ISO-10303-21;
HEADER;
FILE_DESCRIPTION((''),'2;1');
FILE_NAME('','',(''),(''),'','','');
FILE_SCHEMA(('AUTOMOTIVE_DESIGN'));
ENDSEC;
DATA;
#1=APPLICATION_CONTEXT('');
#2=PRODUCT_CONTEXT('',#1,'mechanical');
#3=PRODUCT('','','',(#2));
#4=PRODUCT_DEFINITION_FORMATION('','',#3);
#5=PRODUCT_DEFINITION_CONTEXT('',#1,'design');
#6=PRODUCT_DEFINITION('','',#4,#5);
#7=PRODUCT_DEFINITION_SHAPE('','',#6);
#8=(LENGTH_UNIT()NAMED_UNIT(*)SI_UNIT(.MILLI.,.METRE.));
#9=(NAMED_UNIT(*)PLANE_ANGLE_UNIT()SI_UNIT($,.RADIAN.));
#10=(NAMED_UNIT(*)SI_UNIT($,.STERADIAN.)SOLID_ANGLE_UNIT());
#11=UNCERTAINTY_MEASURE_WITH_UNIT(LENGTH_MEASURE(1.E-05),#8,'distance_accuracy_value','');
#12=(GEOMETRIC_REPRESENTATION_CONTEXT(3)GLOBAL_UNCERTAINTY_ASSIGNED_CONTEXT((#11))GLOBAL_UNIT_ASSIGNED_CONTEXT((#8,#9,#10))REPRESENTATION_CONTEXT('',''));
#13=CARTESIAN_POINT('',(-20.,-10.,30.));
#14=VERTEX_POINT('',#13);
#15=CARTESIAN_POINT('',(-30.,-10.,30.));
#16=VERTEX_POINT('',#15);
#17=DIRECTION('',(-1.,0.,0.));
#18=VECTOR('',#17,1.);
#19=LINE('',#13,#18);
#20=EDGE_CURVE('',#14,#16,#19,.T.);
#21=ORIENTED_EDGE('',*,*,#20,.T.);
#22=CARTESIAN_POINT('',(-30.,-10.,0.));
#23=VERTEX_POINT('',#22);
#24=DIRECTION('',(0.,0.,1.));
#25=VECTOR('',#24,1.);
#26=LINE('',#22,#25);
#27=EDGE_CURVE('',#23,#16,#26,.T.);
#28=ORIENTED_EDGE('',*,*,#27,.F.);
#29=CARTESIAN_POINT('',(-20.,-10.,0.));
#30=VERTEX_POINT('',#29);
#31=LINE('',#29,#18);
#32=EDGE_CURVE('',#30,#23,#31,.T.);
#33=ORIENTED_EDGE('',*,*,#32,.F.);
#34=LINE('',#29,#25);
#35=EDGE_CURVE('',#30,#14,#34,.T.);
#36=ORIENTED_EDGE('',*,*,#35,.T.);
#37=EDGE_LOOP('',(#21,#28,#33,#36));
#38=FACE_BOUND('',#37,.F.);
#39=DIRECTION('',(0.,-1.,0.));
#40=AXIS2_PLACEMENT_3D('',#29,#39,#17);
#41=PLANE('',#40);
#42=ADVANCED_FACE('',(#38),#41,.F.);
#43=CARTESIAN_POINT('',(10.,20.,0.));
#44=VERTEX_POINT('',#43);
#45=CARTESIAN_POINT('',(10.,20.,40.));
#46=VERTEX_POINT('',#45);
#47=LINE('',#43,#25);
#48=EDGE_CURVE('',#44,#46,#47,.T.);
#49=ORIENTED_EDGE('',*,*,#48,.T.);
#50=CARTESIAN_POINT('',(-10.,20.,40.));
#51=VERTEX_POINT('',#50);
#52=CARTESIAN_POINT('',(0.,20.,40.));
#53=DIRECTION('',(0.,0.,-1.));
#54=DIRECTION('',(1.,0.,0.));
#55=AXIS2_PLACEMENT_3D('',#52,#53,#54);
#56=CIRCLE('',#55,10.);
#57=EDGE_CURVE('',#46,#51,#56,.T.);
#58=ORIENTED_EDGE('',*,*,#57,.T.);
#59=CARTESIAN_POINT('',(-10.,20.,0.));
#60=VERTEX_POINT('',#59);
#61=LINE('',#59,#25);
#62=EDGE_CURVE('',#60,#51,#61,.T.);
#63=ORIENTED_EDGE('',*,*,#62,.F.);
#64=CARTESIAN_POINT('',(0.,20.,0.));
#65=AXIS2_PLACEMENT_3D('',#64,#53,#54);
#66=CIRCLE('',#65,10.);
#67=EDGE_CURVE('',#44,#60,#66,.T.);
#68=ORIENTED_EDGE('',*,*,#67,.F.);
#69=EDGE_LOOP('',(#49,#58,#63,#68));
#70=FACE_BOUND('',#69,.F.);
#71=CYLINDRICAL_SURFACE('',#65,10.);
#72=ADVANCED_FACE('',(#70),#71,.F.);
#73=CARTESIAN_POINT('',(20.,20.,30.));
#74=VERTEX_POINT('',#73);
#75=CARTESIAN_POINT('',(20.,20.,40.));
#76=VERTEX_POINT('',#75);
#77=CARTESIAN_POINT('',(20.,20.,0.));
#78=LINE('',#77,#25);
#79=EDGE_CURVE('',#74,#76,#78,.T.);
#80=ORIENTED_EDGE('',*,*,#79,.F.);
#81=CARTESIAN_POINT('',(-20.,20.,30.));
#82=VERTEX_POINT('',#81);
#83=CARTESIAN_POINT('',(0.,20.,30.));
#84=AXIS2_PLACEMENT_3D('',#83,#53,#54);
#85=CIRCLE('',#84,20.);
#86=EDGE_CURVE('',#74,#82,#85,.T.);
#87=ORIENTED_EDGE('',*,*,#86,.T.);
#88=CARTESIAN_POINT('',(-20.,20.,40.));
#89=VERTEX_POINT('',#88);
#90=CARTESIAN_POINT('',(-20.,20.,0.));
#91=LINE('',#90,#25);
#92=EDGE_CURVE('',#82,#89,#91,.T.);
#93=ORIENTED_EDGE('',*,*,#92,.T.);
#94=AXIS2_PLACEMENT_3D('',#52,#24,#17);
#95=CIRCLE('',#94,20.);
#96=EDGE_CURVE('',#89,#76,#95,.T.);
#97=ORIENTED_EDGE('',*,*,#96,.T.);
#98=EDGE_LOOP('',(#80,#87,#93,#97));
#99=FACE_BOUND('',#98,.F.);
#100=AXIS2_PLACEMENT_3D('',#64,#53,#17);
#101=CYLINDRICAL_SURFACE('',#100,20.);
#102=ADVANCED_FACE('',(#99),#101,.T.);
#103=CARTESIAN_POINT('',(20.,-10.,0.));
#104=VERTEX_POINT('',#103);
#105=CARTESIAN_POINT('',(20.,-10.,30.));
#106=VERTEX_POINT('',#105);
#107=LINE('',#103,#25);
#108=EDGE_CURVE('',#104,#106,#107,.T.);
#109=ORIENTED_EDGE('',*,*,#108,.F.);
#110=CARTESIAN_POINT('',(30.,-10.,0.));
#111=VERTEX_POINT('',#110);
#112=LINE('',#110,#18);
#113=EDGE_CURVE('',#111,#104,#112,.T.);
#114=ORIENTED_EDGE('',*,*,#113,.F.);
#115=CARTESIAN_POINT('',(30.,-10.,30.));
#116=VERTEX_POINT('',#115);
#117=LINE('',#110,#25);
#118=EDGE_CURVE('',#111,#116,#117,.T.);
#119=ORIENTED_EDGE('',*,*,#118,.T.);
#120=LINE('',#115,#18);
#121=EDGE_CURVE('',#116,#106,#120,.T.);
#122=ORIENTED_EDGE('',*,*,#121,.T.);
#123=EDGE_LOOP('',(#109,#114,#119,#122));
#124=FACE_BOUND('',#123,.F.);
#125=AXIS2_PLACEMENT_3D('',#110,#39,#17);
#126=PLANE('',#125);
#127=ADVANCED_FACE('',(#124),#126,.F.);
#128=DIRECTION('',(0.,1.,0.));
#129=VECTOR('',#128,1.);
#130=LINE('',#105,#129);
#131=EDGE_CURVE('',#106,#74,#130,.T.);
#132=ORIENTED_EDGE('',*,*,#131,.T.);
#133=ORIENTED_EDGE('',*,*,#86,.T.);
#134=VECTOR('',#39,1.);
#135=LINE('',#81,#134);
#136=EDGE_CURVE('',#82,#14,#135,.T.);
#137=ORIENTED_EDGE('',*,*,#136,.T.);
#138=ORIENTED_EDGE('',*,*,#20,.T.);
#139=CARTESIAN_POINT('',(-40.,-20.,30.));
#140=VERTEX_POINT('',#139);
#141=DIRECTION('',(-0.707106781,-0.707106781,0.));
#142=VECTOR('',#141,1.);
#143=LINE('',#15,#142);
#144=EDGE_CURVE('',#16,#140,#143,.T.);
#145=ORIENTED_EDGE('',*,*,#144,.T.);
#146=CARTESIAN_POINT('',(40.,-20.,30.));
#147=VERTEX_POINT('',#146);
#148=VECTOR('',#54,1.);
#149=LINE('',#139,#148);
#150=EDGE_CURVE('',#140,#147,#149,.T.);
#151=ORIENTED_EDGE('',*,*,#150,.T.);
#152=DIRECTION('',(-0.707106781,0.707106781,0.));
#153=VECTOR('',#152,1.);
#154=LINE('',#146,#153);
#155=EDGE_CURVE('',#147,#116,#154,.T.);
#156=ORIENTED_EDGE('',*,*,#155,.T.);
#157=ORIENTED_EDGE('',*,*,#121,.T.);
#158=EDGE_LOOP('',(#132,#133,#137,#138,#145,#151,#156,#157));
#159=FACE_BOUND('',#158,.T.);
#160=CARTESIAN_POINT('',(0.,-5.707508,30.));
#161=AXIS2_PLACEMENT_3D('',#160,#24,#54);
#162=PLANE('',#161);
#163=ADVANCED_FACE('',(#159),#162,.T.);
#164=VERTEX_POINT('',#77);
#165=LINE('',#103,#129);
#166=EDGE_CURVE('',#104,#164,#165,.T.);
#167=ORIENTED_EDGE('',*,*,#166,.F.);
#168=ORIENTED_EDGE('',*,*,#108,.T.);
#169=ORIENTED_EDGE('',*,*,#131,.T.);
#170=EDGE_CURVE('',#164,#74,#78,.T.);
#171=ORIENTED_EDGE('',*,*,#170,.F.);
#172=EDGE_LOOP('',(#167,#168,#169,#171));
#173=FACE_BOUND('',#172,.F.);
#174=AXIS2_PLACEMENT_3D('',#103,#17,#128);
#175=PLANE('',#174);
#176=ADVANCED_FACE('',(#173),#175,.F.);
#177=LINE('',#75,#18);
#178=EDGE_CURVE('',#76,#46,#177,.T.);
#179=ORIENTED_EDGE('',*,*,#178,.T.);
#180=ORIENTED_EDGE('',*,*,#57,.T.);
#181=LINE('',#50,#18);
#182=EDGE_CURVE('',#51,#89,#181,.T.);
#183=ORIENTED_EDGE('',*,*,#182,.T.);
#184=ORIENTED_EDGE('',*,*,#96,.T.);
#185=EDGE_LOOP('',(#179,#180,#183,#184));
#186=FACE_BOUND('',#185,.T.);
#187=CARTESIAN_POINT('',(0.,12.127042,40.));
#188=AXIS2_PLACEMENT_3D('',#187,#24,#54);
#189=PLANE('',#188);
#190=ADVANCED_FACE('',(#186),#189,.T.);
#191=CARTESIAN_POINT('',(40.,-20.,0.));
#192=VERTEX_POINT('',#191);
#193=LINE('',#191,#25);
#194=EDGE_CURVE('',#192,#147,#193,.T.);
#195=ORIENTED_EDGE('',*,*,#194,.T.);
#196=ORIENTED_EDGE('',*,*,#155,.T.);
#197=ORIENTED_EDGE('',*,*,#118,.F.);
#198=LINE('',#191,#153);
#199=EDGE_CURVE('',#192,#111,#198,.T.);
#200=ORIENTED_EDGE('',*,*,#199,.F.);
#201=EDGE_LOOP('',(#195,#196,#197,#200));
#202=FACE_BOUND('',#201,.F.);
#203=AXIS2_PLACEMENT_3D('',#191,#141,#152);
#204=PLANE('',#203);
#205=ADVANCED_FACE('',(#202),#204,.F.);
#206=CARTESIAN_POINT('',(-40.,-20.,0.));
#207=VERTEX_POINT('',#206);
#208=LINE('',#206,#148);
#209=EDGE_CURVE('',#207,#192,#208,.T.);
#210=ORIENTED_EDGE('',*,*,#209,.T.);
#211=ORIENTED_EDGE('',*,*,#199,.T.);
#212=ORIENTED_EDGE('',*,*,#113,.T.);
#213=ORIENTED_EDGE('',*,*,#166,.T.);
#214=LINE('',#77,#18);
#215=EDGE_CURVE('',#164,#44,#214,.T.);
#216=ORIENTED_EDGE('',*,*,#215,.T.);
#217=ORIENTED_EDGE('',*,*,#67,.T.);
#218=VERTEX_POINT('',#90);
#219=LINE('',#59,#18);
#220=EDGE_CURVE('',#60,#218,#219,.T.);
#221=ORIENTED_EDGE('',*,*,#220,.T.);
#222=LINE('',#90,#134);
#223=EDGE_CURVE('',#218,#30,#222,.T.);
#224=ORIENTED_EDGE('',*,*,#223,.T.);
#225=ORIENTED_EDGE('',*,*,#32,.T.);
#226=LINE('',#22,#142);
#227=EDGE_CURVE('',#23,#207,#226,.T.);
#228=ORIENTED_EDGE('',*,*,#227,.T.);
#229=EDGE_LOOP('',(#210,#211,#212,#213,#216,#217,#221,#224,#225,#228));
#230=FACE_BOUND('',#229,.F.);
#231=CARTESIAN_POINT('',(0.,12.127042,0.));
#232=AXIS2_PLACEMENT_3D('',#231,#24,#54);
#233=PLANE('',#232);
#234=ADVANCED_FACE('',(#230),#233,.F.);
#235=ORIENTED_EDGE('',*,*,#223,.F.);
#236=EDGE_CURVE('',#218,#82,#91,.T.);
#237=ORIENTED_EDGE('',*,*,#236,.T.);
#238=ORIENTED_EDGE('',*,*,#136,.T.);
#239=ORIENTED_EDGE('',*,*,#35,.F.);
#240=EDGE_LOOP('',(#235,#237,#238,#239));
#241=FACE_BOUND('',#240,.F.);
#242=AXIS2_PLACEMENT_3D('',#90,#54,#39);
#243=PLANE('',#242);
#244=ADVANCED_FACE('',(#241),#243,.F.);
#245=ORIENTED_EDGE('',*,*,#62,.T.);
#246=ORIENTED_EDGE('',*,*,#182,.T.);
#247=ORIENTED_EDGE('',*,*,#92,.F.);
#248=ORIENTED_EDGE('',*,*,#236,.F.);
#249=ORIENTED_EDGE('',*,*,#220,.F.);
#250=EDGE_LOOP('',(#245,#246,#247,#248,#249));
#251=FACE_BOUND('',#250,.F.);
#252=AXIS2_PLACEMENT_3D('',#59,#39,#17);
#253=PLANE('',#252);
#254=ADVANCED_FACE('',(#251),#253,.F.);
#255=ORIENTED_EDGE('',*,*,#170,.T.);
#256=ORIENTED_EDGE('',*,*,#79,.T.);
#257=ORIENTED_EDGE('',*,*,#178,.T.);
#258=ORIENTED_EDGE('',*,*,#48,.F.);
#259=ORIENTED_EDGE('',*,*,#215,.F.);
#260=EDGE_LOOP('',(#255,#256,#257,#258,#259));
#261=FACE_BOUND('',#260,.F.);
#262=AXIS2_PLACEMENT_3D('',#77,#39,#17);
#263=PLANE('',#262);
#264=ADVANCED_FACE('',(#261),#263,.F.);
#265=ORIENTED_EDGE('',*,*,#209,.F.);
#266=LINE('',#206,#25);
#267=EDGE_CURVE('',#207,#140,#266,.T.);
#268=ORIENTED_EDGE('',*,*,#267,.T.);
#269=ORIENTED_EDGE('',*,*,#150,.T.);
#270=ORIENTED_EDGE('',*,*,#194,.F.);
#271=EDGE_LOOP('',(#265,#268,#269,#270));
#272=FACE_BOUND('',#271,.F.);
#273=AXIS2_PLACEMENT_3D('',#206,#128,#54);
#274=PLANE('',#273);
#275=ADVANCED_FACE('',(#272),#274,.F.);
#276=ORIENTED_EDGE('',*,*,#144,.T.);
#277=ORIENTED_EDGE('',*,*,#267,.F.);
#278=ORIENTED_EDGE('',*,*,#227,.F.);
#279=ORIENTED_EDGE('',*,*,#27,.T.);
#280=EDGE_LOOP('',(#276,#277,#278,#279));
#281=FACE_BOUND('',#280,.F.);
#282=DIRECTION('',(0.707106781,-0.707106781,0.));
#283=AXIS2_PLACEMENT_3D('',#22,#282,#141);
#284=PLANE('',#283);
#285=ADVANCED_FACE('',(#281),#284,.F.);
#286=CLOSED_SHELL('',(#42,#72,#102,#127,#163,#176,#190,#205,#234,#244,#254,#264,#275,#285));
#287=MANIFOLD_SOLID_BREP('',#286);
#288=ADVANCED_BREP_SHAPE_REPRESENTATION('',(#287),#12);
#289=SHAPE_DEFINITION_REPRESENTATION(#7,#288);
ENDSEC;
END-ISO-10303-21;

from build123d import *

# Parameters (mm, degrees)
F1_DEPTH = 30
F2_DEPTH = 40


with BuildPart() as f1:
    # F0 (on Top) → F1 (new body)
    with BuildSketch(Plane.XY):
        with BuildLine():
            Line((-30, -10), (-40, -20))
            Line((-40, -20), (40, -20))
            Line((40, -20), (30, -10))
            Line((30, -10), (20, -10))
            Line((20, -10), (20, 20))
            ThreePointArc((20, 20), (0, 0), (-20, 20))
            Line((-20, 20), (-20, -10))
            Line((-20, -10), (-30, -10))
        make_face()
    extrude(amount=F1_DEPTH)

    # F0 (on Top) → F2 (join)
    with BuildSketch(Plane.XY):
        with BuildLine():
            Line((-10, 20), (-20, 20))
            ThreePointArc((-20, 20), (0, 0), (20, 20))
            Line((20, 20), (10, 20))
            ThreePointArc((10, 20), (0, 10), (-10, 20))
        make_face()
    extrude(amount=F2_DEPTH)


solid = f1.part
